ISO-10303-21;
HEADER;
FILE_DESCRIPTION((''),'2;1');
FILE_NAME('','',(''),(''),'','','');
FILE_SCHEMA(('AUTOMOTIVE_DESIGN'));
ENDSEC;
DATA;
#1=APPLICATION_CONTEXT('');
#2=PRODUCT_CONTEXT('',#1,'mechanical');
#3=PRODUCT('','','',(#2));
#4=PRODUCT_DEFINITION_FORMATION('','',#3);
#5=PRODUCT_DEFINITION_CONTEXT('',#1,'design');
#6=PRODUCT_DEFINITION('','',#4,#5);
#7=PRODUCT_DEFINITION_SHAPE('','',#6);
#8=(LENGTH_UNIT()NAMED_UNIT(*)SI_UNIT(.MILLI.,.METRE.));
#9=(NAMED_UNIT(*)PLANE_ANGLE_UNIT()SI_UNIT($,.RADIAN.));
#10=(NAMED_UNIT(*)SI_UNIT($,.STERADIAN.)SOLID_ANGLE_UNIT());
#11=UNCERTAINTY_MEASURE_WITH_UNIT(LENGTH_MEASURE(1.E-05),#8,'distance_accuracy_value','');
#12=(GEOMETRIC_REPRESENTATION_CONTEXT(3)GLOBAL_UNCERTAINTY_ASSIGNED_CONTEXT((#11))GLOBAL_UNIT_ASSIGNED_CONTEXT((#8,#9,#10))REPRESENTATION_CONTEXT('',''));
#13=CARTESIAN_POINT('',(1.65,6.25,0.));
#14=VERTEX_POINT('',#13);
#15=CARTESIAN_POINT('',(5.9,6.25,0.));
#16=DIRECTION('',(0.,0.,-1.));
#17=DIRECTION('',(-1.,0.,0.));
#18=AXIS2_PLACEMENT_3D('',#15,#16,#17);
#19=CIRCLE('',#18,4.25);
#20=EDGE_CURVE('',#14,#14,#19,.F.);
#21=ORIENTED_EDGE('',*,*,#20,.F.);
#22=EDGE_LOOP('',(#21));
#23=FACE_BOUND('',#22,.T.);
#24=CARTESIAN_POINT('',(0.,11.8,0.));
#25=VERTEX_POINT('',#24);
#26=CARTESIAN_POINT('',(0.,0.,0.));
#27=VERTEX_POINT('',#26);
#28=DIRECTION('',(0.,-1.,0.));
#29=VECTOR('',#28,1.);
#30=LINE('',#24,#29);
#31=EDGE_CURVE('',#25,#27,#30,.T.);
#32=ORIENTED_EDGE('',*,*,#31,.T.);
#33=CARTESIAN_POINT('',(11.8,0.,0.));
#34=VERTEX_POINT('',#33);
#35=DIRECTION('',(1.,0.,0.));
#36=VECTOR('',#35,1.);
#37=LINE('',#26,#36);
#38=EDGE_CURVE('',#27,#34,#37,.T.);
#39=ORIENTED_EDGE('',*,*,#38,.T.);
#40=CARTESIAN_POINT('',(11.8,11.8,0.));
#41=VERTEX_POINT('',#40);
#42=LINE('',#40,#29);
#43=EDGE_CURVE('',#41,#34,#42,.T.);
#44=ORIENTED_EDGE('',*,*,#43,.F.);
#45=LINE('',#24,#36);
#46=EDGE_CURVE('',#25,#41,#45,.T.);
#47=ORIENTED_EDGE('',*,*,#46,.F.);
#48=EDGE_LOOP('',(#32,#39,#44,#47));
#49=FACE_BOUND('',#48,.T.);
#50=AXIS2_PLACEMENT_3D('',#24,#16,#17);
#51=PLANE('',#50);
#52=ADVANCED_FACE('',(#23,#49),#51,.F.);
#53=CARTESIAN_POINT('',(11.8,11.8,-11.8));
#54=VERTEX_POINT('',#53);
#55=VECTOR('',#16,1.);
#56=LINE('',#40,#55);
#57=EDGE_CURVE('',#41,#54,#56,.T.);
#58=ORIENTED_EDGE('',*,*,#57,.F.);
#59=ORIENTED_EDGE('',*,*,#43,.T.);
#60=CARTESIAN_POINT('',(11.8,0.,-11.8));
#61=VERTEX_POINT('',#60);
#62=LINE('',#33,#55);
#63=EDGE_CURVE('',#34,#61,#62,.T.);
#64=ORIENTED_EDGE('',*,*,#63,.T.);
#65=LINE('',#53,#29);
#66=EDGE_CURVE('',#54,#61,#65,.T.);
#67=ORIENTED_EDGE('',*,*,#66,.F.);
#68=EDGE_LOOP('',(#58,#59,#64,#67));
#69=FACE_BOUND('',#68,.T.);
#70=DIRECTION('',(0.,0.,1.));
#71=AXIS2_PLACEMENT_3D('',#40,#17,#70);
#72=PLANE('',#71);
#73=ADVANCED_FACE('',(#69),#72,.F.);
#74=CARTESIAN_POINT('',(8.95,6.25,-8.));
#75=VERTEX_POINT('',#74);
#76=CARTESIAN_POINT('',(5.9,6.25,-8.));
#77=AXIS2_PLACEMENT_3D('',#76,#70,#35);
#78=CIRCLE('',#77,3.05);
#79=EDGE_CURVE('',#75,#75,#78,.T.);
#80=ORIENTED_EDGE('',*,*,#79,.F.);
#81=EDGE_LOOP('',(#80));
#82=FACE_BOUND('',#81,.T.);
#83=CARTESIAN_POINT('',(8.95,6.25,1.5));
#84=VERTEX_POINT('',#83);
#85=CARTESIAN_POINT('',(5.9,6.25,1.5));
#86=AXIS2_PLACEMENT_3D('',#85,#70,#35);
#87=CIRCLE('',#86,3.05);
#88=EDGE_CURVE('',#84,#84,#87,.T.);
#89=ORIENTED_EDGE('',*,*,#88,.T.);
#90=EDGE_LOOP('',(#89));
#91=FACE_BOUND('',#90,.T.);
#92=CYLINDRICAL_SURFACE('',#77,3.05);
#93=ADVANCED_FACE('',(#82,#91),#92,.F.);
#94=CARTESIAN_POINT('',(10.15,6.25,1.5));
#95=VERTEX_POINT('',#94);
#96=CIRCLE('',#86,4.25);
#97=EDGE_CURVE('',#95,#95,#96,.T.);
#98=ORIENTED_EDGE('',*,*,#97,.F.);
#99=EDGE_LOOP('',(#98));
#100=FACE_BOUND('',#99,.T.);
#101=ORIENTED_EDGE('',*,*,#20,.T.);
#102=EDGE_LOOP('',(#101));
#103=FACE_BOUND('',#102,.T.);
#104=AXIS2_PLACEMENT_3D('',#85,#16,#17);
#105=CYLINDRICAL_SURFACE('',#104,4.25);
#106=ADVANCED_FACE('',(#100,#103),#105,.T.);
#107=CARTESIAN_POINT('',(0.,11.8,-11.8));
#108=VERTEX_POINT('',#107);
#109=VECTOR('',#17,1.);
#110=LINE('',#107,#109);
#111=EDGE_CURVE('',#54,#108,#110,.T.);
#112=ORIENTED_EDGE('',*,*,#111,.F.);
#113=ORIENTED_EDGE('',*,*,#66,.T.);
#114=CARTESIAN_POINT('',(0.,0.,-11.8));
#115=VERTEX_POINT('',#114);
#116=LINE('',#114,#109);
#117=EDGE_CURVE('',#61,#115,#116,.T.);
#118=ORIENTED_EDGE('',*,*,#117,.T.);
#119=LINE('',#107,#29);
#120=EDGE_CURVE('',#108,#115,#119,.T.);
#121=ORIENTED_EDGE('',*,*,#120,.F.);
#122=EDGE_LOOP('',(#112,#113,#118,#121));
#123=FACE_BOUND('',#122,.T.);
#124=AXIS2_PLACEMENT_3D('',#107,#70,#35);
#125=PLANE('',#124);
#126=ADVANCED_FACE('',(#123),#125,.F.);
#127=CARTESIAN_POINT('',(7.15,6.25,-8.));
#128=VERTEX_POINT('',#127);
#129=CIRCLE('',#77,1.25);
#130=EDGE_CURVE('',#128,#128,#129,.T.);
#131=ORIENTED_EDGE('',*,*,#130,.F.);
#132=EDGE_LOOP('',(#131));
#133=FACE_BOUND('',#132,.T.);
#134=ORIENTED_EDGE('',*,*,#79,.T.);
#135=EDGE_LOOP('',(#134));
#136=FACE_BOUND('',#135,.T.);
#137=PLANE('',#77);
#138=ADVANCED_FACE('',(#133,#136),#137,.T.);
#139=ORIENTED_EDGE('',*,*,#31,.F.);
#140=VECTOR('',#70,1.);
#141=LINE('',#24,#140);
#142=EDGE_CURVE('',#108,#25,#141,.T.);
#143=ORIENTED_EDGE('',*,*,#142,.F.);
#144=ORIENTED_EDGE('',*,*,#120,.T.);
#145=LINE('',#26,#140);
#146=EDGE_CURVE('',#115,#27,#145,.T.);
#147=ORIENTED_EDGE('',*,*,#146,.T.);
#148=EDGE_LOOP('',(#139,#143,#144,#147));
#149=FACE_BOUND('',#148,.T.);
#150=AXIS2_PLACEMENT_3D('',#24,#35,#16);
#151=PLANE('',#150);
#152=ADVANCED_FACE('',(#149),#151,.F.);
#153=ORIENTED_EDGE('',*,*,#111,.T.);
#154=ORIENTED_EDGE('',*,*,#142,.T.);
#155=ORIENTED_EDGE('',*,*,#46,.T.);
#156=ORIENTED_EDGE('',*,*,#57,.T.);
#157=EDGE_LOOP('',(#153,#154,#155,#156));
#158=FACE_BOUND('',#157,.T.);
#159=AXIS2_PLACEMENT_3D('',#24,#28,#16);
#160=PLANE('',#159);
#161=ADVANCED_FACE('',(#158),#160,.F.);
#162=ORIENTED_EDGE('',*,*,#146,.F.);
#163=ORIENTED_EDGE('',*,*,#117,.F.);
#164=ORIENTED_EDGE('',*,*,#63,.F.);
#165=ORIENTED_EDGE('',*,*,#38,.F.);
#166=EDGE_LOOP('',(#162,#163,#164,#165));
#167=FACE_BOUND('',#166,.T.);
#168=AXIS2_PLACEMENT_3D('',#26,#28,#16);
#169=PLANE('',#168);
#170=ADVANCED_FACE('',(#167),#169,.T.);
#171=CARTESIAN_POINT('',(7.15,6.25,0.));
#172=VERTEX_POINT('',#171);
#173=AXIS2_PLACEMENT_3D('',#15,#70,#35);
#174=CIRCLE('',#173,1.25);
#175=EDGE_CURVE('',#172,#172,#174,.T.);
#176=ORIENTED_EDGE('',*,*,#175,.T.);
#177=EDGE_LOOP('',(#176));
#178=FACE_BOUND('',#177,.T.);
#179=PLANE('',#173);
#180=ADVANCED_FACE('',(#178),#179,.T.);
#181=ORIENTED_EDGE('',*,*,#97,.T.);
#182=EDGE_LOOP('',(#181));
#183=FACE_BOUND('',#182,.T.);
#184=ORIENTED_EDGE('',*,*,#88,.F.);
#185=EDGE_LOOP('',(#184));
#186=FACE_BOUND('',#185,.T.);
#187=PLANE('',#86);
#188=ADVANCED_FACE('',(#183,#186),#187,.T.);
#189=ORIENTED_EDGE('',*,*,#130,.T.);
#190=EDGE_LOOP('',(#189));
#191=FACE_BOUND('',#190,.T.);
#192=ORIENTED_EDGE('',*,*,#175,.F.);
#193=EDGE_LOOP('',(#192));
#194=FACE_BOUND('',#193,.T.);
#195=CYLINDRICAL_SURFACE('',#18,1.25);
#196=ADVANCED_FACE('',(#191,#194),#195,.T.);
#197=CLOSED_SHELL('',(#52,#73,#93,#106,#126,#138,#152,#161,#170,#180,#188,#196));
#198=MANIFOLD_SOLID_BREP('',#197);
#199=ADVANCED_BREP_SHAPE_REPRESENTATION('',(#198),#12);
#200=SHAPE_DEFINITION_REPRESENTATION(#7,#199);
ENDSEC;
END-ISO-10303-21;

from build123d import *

# Parameters (mm, degrees)
SKETCH1_W           = 11.8
SKETCH1_H           = 11.8
BOSS_EXTRUDE1_DEPTH = 11.8
SKETCH2_R           = 4.25
BOSS_EXTRUDE2_DEPTH = 1.5
SKETCH3_R           = 3.05
CUT_EXTRUDE1_DEPTH  = 9.5
SKETCH4_R           = 1.25
BOSS_EXTRUDE3_DEPTH = 8


with BuildPart() as part:
    # Sketch1 → Boss-Extrude1 (new body)
    with BuildSketch(Plane(origin=(0, 0, 0), x_dir=(1, 0, 0), z_dir=(0, 1, 0))):
        with Locations((5.9, 5.9)):
            Rectangle(SKETCH1_W, SKETCH1_H)
    extrude(amount=BOSS_EXTRUDE1_DEPTH)

    # Sketch2 → Boss-Extrude2 (add)
    with BuildSketch(Plane.XY):
        with Locations((5.9, 6.25)):
            Circle(SKETCH2_R)
    extrude(amount=BOSS_EXTRUDE2_DEPTH)

    # Sketch3 → Cut-Extrude1 (cut)
    with BuildSketch(Plane.XY.offset(1.5)):
        with Locations((5.9, 6.25)):
            Circle(SKETCH3_R)
    extrude(amount=-CUT_EXTRUDE1_DEPTH, mode=Mode.SUBTRACT)

    # Sketch4 → Boss-Extrude3 (add)
    with BuildSketch(Plane.XY.offset(-8)):
        with Locations((5.9, 6.25)):
            Circle(SKETCH4_R)
    extrude(amount=BOSS_EXTRUDE3_DEPTH)


solid = part.part
